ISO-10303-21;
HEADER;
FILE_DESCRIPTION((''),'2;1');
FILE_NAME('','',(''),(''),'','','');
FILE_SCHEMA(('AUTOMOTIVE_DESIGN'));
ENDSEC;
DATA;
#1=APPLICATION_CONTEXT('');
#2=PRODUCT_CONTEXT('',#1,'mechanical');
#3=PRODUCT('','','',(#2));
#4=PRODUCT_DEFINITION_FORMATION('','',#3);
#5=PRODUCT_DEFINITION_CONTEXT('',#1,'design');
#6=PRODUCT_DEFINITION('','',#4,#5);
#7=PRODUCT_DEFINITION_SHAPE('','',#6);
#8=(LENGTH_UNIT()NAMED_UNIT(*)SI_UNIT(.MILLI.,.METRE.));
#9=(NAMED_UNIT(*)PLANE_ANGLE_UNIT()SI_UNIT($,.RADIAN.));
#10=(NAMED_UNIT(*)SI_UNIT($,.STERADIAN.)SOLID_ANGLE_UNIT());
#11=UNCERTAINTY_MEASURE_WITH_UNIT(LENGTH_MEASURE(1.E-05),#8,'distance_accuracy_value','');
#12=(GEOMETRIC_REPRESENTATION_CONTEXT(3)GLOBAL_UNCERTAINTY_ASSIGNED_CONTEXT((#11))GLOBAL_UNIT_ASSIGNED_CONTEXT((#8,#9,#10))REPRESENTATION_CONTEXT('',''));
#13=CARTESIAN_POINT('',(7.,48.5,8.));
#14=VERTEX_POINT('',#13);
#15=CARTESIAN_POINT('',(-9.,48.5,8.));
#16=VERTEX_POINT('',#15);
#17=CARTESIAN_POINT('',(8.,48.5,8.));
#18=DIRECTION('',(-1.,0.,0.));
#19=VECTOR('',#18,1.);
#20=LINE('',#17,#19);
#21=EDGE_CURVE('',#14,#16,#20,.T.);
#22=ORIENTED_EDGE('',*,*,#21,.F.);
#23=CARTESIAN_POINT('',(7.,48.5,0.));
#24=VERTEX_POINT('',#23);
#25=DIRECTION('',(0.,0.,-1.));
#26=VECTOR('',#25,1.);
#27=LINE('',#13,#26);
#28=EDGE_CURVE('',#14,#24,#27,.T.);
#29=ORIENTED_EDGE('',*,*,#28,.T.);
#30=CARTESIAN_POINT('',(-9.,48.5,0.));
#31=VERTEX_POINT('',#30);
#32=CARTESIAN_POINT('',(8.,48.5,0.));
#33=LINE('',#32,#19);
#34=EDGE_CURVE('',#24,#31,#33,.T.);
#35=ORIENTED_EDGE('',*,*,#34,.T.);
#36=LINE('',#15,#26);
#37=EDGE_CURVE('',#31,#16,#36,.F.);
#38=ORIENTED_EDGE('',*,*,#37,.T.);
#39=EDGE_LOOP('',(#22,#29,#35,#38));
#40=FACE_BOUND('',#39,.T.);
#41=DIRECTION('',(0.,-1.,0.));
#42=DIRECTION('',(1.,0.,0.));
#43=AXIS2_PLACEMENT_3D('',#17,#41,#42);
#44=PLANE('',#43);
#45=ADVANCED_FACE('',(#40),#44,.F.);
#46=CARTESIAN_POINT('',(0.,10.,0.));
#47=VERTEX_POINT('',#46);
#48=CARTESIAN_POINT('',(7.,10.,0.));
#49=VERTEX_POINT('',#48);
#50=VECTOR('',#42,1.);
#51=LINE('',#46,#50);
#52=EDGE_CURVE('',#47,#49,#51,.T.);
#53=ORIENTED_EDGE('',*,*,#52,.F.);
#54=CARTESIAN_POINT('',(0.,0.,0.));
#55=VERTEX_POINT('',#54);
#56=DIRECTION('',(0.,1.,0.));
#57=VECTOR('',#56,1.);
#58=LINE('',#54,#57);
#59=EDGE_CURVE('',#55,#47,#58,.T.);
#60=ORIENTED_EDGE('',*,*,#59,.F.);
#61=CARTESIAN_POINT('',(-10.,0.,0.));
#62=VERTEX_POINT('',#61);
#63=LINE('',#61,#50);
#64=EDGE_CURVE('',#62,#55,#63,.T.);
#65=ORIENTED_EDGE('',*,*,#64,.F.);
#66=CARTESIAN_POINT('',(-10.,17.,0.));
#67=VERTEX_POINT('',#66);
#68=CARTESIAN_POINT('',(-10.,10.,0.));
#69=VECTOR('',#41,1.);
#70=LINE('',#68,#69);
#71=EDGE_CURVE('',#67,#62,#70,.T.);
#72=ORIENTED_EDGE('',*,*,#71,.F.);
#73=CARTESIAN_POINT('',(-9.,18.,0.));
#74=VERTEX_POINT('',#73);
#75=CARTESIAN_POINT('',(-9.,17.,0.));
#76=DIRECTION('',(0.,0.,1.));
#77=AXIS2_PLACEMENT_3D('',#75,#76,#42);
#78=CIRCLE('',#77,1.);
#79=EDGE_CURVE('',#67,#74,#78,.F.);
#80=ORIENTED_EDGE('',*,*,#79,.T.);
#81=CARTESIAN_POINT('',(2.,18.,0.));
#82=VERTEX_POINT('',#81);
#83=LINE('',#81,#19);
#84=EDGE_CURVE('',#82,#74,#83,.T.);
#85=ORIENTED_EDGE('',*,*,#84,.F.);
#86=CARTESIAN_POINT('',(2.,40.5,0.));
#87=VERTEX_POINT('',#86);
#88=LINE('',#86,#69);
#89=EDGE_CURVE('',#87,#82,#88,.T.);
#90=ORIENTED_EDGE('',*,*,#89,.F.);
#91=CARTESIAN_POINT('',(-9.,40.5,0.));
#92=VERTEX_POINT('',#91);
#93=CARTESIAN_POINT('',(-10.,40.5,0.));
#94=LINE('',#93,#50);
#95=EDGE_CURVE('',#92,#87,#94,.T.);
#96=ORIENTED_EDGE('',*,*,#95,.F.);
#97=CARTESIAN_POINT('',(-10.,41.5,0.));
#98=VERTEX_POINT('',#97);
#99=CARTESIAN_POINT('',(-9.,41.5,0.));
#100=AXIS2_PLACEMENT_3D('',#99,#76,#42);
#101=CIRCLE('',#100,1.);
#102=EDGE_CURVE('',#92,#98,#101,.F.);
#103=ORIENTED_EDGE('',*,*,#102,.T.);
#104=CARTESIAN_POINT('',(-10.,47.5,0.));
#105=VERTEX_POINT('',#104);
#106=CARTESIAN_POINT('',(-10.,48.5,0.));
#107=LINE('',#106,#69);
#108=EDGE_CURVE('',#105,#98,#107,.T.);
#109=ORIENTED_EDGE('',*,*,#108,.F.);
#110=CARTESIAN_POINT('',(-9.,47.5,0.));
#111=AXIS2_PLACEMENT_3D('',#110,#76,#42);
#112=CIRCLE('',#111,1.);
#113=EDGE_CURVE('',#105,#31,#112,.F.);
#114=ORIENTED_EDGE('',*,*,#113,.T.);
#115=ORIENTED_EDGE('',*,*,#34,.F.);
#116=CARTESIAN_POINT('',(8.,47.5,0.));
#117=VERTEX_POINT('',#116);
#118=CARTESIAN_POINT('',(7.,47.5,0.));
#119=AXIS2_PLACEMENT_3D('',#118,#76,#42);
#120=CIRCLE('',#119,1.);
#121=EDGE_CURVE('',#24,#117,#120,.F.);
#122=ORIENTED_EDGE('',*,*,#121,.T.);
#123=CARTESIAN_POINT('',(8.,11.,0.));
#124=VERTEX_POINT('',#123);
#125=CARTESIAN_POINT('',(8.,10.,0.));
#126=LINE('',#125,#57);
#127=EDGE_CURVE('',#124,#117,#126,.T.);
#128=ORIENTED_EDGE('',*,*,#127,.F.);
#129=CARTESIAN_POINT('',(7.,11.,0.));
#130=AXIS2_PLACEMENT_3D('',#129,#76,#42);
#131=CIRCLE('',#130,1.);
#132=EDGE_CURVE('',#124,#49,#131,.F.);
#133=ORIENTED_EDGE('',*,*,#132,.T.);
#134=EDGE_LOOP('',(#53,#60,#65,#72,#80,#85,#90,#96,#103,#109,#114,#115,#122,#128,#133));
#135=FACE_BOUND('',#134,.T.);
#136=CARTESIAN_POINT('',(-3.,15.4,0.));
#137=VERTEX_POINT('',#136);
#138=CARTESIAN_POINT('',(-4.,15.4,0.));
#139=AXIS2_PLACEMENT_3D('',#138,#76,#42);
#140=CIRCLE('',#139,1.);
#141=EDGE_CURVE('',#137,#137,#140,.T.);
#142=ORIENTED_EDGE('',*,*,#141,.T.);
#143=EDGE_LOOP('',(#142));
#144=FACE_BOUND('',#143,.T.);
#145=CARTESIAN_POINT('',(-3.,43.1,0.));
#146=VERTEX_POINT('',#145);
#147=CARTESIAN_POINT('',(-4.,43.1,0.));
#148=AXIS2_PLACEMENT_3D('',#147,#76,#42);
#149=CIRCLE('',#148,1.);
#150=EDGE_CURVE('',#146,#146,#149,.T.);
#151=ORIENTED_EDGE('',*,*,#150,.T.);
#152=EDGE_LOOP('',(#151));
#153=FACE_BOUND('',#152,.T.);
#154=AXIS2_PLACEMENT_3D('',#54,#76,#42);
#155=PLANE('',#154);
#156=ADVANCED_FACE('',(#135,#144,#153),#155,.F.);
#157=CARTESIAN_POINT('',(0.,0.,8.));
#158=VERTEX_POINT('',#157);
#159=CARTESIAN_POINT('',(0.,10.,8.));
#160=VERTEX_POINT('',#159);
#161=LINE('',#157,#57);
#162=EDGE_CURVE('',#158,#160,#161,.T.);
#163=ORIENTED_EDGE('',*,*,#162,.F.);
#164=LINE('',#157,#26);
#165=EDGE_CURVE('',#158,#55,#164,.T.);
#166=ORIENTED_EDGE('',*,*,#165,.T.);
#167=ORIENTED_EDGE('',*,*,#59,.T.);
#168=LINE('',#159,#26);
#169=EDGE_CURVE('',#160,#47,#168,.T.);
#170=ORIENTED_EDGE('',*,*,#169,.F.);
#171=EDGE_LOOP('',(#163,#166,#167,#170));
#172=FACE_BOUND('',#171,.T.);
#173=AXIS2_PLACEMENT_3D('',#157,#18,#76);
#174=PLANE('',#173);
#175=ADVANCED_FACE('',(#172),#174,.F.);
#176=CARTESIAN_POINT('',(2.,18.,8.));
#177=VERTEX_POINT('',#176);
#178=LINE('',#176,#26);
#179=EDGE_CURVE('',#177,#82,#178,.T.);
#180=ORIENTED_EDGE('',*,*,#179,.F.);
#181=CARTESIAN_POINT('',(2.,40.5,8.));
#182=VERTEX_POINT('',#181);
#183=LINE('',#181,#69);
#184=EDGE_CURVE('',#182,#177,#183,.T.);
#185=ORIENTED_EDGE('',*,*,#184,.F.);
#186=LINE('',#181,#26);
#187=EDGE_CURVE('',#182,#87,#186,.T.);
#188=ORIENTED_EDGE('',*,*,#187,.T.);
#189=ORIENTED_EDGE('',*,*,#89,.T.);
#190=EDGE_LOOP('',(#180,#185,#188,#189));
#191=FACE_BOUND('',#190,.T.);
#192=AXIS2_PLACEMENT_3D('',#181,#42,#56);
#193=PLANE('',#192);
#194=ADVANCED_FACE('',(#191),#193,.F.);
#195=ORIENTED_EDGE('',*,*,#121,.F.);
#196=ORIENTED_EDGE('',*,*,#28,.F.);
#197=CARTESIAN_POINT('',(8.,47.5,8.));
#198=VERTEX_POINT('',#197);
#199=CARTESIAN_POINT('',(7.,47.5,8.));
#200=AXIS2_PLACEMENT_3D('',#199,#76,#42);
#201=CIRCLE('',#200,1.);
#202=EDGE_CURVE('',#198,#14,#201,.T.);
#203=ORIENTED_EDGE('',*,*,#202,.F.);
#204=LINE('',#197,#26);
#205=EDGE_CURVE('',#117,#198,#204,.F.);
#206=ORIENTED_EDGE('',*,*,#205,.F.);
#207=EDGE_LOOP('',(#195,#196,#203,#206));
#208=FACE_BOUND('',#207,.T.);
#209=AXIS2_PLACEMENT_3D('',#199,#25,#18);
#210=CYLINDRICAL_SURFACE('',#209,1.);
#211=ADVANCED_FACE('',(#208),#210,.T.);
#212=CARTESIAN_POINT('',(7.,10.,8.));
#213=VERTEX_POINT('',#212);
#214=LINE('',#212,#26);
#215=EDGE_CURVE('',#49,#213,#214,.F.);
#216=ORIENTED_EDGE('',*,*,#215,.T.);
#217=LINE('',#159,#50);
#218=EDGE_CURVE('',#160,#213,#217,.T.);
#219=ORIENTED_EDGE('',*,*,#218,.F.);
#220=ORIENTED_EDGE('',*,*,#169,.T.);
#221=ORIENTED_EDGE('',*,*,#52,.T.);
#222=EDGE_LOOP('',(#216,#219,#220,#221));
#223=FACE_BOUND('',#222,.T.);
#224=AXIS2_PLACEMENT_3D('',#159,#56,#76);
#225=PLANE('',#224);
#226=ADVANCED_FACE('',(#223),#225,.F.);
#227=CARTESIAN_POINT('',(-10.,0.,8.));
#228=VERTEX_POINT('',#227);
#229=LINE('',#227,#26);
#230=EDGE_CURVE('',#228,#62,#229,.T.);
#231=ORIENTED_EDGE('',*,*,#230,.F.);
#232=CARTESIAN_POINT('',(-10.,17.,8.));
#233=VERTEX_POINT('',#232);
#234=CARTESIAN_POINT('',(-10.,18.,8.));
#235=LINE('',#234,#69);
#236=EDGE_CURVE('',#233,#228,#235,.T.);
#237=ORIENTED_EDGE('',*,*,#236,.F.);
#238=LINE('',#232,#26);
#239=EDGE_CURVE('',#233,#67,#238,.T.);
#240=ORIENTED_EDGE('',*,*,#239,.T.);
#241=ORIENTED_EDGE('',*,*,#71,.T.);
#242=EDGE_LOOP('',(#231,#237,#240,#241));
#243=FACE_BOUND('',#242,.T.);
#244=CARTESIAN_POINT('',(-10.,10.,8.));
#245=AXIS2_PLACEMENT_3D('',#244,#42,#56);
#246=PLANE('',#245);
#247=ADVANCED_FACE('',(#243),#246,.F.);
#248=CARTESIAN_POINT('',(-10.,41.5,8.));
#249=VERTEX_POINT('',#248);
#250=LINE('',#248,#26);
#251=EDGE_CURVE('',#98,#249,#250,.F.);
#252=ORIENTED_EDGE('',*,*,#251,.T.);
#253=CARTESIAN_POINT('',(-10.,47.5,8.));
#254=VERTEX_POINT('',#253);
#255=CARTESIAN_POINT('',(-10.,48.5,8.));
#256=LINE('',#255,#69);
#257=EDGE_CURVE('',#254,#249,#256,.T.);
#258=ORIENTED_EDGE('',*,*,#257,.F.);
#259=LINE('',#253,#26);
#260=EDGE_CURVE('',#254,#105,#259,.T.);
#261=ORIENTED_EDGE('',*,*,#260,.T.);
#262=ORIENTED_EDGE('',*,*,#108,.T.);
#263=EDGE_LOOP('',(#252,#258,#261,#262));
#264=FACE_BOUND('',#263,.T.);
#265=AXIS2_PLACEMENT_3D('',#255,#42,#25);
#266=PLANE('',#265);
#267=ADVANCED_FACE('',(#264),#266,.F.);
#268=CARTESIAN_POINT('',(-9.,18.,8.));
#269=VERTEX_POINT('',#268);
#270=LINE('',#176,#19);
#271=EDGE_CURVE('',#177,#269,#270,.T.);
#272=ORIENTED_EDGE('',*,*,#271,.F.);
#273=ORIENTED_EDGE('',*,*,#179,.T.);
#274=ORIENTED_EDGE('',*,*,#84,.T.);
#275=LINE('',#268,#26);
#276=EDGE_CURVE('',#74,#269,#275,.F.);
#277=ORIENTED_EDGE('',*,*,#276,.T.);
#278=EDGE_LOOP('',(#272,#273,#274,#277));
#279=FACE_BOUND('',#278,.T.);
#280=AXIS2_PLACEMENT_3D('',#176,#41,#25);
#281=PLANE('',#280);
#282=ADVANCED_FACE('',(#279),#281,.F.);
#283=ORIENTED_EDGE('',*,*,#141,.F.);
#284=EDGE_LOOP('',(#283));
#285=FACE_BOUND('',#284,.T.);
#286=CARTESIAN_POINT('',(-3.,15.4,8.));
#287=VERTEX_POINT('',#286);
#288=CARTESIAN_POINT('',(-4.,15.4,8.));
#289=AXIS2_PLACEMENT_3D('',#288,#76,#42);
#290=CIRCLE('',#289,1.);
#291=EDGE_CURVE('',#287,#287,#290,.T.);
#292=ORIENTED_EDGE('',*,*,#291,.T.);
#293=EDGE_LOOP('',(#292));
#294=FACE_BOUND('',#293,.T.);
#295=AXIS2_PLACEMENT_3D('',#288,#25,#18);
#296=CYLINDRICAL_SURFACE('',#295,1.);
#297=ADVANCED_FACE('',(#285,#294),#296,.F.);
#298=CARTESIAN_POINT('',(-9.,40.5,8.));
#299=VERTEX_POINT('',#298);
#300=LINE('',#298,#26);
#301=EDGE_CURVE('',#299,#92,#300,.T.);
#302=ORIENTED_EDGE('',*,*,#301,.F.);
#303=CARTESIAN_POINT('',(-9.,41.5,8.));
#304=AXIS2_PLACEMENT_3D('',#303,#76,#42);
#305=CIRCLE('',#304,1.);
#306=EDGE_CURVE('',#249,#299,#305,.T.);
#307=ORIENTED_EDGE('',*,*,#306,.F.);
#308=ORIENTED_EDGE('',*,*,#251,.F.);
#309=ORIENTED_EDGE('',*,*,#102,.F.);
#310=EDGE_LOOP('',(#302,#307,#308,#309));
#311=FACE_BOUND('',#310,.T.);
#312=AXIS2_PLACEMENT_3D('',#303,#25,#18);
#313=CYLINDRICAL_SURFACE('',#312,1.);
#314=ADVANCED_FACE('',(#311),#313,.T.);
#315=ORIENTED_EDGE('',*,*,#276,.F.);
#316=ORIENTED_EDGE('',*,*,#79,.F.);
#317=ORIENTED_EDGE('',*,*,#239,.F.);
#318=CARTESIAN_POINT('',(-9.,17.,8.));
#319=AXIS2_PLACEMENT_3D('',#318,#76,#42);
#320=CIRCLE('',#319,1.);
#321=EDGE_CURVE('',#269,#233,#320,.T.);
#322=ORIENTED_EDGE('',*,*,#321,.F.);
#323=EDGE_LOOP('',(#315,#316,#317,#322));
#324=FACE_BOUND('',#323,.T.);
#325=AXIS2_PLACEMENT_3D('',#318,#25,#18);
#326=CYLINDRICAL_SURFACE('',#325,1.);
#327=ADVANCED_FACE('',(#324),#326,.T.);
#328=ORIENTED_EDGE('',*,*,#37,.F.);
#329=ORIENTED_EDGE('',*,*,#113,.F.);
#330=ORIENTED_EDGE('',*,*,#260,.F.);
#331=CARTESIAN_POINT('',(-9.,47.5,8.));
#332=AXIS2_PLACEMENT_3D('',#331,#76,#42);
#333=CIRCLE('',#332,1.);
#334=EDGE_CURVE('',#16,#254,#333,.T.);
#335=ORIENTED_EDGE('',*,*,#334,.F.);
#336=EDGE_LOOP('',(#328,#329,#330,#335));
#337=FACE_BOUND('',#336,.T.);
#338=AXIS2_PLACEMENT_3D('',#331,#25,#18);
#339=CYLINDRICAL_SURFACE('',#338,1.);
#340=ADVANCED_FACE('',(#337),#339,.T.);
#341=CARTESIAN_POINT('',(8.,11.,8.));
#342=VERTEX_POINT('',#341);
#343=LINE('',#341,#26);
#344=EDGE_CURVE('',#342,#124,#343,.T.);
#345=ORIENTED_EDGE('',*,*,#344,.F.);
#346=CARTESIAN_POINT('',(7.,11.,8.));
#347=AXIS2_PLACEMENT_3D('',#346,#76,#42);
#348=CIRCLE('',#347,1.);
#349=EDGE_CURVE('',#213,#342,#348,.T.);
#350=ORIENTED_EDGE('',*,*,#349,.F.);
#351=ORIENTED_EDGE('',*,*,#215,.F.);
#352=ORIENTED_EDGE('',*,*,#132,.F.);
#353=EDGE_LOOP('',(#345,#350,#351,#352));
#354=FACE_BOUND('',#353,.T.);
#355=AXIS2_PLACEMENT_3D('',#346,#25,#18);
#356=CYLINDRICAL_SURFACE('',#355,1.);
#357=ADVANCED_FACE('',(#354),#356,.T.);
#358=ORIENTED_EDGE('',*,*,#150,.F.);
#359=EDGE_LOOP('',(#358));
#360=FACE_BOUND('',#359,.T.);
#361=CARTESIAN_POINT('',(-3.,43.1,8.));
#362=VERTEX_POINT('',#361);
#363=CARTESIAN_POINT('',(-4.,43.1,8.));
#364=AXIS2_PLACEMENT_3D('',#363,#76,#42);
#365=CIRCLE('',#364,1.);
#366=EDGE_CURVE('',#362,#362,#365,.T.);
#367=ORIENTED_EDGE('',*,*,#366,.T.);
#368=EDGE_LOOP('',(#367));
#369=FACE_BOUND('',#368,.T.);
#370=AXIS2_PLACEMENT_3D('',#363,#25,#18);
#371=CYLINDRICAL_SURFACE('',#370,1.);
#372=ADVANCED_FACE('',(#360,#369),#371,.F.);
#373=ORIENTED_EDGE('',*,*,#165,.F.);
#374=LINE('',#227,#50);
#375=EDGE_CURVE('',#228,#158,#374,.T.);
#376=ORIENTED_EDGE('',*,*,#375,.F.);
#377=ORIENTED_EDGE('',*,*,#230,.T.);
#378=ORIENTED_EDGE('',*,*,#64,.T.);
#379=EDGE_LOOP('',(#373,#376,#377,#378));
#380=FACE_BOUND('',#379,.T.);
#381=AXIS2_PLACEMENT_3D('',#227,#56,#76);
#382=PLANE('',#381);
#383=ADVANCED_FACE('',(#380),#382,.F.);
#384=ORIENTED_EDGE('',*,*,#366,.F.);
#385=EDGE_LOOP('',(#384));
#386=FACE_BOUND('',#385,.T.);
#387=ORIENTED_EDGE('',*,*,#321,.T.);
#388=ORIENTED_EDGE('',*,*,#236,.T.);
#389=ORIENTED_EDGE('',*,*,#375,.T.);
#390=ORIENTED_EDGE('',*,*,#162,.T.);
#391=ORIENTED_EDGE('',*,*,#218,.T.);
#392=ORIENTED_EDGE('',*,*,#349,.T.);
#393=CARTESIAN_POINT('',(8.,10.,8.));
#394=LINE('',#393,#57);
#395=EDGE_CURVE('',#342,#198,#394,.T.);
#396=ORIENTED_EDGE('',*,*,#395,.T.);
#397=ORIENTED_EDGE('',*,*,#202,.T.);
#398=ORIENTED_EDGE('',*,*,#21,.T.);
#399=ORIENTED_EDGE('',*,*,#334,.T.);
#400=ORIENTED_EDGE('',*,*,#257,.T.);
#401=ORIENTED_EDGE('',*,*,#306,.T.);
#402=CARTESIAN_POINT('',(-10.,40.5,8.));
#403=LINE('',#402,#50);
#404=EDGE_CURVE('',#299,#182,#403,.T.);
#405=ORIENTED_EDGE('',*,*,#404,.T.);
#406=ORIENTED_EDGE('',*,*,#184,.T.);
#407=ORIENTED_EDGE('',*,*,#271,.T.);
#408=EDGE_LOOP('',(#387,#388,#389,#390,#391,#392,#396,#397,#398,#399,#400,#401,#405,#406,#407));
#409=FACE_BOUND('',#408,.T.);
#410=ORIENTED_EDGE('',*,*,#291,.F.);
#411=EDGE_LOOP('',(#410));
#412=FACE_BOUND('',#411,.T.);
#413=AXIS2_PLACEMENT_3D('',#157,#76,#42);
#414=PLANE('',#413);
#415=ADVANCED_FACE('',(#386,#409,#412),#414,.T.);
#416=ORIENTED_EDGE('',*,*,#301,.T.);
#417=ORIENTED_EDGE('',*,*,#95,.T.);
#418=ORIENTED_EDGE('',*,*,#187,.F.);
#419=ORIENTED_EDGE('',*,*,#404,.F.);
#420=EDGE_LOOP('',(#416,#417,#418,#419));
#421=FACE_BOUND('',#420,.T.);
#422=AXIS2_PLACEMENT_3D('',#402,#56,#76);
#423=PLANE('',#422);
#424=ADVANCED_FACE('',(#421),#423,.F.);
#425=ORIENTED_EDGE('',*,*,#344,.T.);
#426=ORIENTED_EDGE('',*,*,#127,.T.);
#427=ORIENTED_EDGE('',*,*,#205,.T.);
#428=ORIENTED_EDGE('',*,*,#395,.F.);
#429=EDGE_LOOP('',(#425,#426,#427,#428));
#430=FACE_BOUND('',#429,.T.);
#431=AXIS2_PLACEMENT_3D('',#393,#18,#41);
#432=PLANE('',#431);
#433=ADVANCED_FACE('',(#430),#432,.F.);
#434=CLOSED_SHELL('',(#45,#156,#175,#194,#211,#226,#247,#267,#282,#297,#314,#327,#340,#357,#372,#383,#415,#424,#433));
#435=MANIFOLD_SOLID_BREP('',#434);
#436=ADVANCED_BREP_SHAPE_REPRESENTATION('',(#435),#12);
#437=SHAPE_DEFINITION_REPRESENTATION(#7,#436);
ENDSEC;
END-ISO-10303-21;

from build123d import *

# Parameters (mm, degrees)
SKETCH1_R           = 1
BOSS_EXTRUDE1_DEPTH = 8
FILLET1_R           = 1


with BuildPart() as part:
    # Sketch1 → Boss-Extrude1 (new body)
    with BuildSketch(Plane.XY):
        Polygon((0, 0), (0, 10), (8, 10), (8, 48.5), (-10, 48.5), (-10, 40.5), (2, 40.5), (2, 18), (-10, 18), (-10, 10), (-10, 0), align=None)
        with Locations((-4, 43.1)):
            Circle(SKETCH1_R, mode=Mode.SUBTRACT)
        with Locations((-4, 15.4)):
            Circle(SKETCH1_R, mode=Mode.SUBTRACT)
    extrude(amount=BOSS_EXTRUDE1_DEPTH)

    # Fillet1
    fillet1_edges = [part.edges().sort_by_distance(p)[0] for p in [
        (-10, 18, 4),
        (-10, 40.5, 4),
        (-10, 48.5, 4),
        (8, 48.5, 4),
        (8, 10, 4),
    ]]
    fillet(fillet1_edges, radius=FILLET1_R)


solid = part.part
